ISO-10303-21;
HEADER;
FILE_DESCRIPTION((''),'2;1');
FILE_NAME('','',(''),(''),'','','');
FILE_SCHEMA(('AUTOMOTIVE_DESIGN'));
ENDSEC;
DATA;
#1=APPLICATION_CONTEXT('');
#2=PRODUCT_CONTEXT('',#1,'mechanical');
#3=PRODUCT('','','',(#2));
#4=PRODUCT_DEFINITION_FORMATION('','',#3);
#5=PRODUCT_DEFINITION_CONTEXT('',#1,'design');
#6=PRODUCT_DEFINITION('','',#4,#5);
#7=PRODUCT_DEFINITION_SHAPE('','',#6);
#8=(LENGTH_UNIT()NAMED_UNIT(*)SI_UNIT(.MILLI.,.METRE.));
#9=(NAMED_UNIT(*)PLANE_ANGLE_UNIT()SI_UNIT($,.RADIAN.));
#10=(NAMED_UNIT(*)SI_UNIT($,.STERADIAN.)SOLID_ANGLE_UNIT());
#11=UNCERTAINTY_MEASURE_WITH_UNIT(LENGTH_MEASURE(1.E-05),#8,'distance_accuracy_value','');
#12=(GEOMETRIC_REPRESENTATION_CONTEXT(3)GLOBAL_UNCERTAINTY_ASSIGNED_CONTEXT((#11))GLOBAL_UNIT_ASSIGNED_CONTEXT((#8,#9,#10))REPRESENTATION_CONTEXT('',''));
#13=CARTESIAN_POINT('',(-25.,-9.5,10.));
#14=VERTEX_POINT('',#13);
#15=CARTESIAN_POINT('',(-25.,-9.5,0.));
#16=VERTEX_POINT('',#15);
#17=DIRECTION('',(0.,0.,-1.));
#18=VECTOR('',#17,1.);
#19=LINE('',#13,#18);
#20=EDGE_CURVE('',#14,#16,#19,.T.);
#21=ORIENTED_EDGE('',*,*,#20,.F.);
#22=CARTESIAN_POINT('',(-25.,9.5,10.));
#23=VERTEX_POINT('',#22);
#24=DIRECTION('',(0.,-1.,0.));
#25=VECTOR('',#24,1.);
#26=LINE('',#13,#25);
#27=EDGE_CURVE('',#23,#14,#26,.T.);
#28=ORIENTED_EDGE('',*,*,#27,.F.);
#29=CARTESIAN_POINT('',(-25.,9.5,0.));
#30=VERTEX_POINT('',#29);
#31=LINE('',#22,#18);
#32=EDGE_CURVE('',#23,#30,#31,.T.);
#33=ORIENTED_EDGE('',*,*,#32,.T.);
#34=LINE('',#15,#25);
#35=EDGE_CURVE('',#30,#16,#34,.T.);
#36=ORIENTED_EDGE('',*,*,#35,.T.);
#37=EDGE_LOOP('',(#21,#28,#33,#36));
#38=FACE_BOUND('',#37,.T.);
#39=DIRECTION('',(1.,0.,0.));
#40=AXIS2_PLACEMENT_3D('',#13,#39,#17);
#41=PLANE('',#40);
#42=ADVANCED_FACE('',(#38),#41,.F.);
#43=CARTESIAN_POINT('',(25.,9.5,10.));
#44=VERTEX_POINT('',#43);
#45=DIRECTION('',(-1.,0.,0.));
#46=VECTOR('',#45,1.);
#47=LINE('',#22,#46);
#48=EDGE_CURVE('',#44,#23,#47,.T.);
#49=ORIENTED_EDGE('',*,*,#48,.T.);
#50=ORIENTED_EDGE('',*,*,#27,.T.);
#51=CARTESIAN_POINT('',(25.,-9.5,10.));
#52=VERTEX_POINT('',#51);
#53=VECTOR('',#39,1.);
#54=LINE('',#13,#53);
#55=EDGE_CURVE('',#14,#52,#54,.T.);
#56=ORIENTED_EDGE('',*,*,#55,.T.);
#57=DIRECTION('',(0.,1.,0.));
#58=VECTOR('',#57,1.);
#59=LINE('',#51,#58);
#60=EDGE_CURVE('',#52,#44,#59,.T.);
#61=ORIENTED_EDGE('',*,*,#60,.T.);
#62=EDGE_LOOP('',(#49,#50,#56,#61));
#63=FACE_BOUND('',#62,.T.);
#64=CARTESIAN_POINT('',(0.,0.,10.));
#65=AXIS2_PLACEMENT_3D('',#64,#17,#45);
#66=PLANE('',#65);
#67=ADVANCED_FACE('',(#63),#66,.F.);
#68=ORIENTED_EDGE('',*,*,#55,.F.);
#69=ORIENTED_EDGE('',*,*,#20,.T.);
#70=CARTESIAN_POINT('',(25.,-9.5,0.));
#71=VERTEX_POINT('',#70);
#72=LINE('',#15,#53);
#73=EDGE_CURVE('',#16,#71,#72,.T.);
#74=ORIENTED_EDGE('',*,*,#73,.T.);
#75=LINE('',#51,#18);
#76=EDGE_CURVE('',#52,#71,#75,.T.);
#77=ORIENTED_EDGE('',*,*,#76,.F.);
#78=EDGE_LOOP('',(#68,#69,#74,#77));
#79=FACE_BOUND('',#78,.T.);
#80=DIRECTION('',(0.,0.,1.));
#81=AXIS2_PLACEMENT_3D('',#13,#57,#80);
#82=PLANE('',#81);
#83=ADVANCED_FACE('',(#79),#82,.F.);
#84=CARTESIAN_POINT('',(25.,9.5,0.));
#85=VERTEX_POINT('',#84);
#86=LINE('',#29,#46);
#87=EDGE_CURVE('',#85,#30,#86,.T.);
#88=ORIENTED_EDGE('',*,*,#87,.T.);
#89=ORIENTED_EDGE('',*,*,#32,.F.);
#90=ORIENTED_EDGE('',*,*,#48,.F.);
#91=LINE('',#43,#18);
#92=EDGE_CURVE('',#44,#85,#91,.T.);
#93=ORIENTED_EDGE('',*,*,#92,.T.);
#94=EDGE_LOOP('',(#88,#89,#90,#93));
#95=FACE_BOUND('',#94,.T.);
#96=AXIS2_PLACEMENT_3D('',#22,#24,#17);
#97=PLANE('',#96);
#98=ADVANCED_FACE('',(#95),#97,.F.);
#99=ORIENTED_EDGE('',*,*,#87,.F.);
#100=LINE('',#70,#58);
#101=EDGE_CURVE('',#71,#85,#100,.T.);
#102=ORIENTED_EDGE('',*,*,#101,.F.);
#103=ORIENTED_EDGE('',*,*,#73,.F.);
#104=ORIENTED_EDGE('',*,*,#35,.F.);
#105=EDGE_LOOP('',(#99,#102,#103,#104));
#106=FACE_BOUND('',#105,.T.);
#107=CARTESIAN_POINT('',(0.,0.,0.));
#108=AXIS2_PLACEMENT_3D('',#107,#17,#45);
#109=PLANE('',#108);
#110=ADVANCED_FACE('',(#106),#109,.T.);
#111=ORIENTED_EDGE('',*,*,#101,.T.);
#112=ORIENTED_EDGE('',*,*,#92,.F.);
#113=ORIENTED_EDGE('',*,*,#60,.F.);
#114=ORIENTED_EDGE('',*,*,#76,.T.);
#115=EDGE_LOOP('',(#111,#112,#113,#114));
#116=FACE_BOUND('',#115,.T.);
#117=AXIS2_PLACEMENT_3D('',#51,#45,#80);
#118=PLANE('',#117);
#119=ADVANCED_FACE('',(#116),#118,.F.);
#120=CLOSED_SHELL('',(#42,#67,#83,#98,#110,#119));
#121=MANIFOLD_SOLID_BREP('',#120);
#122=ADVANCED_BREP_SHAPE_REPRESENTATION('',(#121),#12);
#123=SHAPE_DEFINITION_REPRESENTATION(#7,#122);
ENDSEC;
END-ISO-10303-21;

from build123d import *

# Parameters (mm, degrees)
SKETCH1_W           = 50
SKETCH1_H           = 19
BOSS_EXTRUDE1_DEPTH = 10


with BuildPart() as part:
    # Sketch1 → Boss-Extrude1 (new body)
    with BuildSketch(Plane.XY):
        Rectangle(SKETCH1_W, SKETCH1_H)
    extrude(amount=BOSS_EXTRUDE1_DEPTH)


solid = part.part
